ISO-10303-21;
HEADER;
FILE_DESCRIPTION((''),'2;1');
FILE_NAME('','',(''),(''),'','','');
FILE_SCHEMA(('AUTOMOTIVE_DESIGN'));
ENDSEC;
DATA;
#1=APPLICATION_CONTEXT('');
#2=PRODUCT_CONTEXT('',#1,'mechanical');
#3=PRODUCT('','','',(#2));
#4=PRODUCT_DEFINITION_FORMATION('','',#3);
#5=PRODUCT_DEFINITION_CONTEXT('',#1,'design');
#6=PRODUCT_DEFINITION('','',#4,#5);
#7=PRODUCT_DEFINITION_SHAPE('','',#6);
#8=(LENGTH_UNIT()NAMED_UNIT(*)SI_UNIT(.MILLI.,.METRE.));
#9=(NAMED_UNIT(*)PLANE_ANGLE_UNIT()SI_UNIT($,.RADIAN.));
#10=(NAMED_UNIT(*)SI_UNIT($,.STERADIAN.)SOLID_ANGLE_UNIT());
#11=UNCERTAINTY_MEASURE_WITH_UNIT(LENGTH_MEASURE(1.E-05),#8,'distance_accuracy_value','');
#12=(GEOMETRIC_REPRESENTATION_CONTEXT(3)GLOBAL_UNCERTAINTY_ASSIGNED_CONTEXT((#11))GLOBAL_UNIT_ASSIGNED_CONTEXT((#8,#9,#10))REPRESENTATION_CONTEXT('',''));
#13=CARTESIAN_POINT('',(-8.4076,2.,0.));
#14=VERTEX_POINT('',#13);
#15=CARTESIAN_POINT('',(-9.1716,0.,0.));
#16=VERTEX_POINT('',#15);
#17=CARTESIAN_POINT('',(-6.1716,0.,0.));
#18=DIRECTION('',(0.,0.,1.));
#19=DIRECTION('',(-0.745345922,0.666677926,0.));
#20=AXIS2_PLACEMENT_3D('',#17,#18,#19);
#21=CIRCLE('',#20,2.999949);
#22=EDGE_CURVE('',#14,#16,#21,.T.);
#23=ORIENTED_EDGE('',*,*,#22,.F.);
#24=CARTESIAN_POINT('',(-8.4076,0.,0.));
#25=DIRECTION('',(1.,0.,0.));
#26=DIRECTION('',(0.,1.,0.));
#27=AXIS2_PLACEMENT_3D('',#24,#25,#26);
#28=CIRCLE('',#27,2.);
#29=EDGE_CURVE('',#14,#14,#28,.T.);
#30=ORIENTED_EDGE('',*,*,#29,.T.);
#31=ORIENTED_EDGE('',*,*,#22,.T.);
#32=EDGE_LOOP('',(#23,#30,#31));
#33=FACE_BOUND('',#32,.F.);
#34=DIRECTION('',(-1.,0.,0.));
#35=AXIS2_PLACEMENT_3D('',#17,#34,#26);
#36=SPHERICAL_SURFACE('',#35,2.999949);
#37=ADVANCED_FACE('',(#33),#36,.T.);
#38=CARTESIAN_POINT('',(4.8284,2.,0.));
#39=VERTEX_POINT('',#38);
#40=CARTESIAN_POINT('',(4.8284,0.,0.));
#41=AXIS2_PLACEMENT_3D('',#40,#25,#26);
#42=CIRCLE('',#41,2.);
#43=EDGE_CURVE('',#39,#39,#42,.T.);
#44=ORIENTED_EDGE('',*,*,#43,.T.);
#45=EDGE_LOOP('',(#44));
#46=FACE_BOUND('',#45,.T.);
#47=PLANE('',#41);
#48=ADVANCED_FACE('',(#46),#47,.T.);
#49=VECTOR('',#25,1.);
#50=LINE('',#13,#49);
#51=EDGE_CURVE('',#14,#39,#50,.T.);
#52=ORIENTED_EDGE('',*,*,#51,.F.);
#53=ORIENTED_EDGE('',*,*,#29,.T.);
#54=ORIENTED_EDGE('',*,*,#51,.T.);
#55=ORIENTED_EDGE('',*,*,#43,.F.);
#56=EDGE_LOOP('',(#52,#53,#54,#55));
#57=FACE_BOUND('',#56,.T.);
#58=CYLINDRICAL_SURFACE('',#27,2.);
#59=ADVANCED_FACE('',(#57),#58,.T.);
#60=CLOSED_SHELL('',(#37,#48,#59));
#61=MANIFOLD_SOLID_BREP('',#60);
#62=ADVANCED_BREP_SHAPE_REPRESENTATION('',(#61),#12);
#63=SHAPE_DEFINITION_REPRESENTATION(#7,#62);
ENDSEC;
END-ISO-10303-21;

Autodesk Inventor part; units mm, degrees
ref_plane "YZ Plane" through (0, 0, 0) normal (1, 0, 0) x (0, 1, 0)
ref_plane "XZ Plane" through (0, 0, 0) normal (0, 1, 0) x (-1, 0, 0)
ref_plane "XY Plane" through (0, 0, 0) normal (0, 0, 1) x (1, 0, 0)
sketch "Sketch1" plane through (0, 0, 0) normal (0, 0, 1) x (1, 0, 0)
  line L0 (-8.4076, 2) -> (4.8284, 2)
  line L1 (4.8284, 2) -> (4.8284, 0)
  line L2 (4.8284, 0) -> (-9.1716, 0)
  line L3 (-8.4076, 0) -> (-8.4076, 2)
  line L4 (0, 0) -> (3.6926, 0)
  line L5 (4.8284, 0) -> (9.1716, 0)
  arc A0 (-8.4076, 2) -> (-8.4076, -2) centre (-6.1716, 0) ccw
  line L6 (0, 0) -> (0, 0.5) construction
  dimension "d0" = 2
  dimension "d1" = 4
  dimension "d2" = 3
  dimension "d3" = 14
revolve "Revolution1" add sketch "Sketch1" angle 360 about axis through (0, 0, 0) along (1, 0, 0)
properties part number "3d_LM-Welding_Tooling -  4x14 Guide Pin" material "304 Stainless Steel"
